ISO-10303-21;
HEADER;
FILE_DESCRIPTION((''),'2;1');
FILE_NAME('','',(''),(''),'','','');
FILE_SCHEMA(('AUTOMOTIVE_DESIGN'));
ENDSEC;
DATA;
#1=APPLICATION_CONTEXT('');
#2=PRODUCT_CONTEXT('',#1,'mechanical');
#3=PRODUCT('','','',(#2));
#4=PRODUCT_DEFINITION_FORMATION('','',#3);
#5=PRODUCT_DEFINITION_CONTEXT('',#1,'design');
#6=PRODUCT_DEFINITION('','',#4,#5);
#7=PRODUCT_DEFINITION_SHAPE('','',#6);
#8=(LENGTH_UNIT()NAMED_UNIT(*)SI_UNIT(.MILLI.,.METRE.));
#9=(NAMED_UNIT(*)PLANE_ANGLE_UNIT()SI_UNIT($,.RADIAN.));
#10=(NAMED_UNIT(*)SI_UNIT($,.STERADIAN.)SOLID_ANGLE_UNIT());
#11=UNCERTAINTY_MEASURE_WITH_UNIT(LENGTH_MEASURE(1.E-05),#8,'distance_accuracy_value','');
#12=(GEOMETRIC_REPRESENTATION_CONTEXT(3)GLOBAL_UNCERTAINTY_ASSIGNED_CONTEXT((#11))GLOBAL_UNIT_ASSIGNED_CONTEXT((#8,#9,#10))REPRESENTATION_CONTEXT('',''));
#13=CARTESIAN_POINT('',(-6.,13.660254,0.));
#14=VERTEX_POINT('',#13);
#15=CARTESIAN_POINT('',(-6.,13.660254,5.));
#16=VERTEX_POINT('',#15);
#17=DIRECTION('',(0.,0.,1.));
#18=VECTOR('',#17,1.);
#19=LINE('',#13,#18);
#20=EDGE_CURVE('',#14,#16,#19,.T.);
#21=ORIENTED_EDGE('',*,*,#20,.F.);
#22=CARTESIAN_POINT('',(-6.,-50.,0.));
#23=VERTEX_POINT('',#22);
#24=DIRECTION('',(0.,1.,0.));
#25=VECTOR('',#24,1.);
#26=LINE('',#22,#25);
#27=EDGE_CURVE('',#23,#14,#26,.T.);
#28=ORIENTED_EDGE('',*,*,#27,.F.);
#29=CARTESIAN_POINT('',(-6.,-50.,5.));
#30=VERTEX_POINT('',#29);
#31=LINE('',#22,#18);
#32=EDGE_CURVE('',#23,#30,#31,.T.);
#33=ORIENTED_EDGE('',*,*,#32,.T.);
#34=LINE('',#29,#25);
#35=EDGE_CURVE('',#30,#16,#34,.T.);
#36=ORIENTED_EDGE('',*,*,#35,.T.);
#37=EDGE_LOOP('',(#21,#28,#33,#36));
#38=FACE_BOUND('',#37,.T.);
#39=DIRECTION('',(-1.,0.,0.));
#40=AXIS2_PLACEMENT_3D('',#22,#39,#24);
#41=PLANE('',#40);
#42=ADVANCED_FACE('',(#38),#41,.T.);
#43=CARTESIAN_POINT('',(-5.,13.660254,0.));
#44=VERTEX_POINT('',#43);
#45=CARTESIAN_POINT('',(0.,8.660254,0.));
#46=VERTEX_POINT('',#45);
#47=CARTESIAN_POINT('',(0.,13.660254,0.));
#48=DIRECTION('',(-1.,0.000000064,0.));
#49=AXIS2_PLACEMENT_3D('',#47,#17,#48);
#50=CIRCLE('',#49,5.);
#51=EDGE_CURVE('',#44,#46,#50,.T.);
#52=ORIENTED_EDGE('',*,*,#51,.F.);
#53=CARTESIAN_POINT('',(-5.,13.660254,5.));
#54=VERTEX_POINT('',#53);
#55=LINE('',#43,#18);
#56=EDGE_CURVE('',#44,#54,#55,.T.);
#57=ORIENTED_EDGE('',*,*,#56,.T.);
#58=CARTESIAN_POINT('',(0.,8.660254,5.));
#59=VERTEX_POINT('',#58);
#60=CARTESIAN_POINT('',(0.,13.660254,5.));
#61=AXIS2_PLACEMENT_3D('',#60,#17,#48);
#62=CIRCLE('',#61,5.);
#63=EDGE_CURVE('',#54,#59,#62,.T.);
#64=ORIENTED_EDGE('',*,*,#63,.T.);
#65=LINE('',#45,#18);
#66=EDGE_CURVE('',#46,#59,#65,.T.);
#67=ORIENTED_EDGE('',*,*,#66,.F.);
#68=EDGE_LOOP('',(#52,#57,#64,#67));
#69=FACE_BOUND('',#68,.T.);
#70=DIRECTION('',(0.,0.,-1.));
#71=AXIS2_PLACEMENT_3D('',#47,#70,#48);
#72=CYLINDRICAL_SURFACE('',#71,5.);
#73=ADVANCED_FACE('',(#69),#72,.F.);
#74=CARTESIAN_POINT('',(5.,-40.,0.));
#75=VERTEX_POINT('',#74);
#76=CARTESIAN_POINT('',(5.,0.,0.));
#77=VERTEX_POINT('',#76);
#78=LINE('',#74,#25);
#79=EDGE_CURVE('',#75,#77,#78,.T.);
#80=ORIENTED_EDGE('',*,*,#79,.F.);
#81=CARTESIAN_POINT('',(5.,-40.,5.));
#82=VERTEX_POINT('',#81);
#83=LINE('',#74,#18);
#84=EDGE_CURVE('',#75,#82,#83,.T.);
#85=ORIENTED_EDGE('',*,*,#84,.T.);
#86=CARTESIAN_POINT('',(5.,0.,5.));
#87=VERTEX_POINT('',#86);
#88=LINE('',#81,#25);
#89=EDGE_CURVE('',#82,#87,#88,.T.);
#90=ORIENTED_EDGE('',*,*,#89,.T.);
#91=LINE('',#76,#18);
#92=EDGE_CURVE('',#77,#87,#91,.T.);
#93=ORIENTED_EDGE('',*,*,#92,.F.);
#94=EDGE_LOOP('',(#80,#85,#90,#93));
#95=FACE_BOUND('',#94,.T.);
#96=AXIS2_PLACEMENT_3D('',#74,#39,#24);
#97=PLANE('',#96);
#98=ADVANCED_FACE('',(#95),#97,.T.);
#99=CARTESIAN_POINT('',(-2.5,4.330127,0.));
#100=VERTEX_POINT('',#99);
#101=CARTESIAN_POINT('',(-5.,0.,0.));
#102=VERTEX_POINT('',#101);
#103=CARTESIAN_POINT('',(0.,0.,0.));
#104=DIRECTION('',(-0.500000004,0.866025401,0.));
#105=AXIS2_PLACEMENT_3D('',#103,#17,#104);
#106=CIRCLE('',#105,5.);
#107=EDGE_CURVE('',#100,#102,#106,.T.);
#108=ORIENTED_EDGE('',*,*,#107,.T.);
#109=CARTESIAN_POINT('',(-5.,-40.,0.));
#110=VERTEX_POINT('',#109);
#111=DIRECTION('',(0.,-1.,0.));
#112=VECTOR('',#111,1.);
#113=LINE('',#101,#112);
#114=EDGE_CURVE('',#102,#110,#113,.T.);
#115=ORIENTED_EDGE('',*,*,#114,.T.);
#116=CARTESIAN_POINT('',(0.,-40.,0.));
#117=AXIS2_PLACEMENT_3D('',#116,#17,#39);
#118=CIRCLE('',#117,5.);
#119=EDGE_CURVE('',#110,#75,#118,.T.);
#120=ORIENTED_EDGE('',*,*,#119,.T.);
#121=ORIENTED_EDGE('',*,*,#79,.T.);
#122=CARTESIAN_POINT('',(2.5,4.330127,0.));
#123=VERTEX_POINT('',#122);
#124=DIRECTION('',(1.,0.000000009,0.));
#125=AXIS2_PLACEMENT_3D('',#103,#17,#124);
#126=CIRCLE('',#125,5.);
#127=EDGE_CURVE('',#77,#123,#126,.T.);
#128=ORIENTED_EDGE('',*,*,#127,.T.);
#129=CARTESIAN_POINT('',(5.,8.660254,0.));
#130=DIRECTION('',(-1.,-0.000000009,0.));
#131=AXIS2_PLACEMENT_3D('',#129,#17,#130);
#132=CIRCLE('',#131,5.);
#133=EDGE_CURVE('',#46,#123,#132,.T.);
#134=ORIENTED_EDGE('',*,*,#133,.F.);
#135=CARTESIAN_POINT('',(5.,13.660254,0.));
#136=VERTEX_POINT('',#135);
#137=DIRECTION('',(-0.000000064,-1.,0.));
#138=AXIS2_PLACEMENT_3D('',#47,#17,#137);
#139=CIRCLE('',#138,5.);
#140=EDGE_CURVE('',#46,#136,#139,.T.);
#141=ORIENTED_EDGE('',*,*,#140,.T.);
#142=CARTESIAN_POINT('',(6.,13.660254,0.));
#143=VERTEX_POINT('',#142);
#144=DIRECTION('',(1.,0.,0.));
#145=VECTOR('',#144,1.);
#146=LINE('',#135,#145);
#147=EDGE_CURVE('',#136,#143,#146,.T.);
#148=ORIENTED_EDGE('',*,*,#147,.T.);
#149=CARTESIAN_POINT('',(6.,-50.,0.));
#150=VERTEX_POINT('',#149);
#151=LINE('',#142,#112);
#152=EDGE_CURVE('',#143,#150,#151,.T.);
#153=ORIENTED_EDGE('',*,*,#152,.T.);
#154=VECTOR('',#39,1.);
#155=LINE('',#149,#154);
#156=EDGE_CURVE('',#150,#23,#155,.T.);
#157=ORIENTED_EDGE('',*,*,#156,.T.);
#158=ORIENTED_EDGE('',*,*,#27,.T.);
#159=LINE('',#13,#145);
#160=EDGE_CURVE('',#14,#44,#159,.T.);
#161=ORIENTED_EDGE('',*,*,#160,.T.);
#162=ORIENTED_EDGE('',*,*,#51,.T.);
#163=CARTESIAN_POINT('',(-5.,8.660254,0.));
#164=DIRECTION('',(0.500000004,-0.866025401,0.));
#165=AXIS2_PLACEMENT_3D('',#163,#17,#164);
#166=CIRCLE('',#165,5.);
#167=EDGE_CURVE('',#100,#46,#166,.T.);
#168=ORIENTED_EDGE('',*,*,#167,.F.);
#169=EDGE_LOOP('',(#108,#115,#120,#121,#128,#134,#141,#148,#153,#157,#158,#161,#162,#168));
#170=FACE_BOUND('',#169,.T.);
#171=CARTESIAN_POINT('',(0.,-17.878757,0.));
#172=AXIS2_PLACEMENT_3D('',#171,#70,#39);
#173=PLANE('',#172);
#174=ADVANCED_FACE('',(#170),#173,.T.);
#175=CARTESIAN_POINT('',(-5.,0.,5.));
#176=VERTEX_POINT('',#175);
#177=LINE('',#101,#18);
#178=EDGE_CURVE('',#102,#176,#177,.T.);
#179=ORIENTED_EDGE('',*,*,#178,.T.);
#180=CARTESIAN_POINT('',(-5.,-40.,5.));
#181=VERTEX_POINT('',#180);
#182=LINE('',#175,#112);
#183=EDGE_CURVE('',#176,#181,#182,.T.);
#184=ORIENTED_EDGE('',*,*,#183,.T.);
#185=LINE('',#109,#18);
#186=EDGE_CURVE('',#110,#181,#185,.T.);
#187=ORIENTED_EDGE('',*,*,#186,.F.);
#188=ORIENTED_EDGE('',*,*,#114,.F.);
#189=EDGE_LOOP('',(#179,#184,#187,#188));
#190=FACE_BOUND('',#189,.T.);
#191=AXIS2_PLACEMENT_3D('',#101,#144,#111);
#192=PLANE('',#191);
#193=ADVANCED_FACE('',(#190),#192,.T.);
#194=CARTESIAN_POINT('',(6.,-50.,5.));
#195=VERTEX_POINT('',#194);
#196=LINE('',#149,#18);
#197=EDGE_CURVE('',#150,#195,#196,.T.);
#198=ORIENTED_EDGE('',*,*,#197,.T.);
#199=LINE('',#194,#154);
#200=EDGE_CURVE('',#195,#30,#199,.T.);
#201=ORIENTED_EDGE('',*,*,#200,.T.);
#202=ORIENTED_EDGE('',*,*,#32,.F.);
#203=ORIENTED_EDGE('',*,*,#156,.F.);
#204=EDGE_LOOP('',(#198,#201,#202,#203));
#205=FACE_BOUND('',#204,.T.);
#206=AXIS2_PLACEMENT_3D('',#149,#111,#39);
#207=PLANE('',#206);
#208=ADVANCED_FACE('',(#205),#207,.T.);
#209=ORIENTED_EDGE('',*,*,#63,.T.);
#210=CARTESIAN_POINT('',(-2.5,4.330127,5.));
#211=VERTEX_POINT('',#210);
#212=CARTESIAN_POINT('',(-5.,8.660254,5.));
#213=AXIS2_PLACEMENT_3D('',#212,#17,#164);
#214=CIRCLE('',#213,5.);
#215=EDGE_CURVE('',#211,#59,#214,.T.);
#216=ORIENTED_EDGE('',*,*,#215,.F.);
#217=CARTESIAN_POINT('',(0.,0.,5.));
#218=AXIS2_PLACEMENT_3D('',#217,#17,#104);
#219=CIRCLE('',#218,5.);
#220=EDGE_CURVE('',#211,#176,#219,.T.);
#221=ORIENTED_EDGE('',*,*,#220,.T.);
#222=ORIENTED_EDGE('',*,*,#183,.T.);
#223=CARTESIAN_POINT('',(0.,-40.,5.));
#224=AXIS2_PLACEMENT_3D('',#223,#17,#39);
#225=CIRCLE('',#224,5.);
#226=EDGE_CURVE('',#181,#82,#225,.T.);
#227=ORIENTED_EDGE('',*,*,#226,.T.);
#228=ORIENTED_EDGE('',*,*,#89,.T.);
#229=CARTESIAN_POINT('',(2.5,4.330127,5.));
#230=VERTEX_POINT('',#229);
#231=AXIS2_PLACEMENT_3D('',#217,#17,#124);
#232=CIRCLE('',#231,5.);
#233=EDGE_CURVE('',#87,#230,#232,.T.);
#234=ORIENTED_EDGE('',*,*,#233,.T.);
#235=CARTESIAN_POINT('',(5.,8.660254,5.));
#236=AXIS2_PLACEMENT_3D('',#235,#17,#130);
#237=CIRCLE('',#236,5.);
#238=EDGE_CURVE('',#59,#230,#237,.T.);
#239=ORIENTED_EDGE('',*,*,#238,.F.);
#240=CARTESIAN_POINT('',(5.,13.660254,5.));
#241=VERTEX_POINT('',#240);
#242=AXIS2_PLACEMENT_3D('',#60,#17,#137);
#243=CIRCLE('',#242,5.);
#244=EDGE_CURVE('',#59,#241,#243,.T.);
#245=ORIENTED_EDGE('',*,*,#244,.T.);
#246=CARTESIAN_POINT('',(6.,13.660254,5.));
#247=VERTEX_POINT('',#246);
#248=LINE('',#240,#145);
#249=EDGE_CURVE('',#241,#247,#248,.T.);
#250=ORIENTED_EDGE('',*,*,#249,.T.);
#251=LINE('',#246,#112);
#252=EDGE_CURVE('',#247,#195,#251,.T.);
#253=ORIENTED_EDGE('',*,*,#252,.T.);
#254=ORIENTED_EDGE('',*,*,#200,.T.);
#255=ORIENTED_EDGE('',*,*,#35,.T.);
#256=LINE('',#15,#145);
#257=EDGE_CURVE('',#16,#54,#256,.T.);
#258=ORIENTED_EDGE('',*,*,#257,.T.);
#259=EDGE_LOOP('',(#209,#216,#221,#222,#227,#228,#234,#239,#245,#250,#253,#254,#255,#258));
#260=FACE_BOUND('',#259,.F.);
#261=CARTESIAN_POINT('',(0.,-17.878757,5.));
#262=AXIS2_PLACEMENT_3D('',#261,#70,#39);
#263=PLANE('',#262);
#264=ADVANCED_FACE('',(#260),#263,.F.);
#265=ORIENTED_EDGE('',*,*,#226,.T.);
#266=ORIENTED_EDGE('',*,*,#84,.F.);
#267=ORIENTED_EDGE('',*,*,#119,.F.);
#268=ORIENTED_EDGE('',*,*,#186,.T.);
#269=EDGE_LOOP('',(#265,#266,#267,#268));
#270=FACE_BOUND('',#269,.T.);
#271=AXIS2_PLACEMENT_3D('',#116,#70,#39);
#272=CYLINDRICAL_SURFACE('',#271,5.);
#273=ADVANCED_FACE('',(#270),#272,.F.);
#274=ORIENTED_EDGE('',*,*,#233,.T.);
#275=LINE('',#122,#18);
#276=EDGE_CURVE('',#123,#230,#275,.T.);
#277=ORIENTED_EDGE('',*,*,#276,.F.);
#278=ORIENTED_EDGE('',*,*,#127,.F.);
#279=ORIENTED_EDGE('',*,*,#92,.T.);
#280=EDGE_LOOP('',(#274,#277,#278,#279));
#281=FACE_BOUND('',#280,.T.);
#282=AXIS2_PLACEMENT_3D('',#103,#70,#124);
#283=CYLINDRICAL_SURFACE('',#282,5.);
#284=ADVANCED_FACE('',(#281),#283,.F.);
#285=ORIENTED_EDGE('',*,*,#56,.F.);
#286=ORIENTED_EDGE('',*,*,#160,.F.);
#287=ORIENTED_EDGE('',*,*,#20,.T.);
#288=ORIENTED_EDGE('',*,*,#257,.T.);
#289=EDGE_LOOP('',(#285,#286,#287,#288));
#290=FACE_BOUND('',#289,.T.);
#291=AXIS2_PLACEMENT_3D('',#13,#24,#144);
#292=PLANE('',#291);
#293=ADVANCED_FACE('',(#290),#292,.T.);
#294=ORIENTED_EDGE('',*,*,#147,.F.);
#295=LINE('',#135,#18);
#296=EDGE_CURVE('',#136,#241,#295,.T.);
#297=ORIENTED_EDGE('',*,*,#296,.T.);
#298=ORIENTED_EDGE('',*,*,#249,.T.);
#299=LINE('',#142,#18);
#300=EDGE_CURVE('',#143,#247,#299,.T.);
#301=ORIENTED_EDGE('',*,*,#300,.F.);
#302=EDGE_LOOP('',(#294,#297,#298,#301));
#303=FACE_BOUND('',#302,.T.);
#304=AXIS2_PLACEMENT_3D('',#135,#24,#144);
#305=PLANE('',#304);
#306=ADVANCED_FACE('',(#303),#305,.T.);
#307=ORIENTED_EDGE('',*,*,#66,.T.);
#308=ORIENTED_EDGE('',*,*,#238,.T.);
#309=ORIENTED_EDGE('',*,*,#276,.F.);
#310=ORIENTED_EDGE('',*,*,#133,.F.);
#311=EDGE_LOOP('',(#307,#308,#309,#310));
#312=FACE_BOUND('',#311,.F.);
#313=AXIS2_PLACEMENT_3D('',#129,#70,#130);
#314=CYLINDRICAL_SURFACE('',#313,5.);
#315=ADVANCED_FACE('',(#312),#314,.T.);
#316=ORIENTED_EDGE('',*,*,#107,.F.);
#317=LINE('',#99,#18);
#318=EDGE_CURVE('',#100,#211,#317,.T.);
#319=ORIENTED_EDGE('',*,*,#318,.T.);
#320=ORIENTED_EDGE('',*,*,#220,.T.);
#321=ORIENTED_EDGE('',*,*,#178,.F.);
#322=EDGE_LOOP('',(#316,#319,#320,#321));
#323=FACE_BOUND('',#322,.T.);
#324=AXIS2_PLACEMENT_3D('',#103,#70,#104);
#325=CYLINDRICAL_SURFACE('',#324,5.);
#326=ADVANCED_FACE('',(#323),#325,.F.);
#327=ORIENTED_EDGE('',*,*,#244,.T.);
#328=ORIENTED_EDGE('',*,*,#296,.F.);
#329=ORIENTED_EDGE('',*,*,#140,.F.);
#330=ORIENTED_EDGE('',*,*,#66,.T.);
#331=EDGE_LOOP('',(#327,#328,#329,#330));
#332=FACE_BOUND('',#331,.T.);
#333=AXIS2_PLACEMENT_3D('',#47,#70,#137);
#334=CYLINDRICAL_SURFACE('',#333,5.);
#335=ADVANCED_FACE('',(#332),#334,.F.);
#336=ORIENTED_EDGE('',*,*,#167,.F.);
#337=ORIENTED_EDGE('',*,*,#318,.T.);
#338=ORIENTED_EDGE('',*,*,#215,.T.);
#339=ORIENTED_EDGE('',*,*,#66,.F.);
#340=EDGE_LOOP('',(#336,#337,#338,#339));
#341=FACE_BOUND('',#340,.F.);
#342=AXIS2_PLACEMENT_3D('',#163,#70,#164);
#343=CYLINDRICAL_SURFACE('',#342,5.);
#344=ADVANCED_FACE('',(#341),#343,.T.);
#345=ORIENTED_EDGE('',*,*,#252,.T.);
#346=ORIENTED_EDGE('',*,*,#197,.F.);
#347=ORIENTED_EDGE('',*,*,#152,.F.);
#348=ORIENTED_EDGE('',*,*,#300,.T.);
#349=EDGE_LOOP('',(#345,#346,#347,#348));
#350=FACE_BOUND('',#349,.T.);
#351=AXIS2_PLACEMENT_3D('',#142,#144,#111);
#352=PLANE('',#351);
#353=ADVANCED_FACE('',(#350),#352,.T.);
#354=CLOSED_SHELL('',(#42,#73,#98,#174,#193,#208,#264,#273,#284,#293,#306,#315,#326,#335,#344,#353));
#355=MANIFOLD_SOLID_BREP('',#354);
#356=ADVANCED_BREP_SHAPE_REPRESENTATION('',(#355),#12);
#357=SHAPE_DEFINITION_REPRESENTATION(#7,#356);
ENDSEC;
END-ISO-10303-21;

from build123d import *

# Parameters (mm, degrees)
PAD_DEPTH = 5


with BuildPart() as part:
    # Sketch → Pad (new body)
    with BuildSketch(Plane.XY):
        with BuildLine():
            ThreePointArc((-5, 13.660254), (-3.535534, 10.12472), (0, 8.660254))
            ThreePointArc((-2.5, 4.330127), (-0.669873, 6.160254), (0, 8.660254))
            ThreePointArc((-2.5, 4.330127), (-4.330127, 2.5), (-5, 0))
            Line((-5, 0), (-5, -40))
            ThreePointArc((-5, -40), (0, -45), (5, -40))
            Line((5, -40), (5, 0))
            ThreePointArc((5, 0), (4.330127, 2.5), (2.5, 4.330127))
            ThreePointArc((0, 8.660254), (0.669873, 6.160254), (2.5, 4.330127))
            ThreePointArc((0, 8.660254), (3.535534, 10.12472), (5, 13.660254))
            Line((5, 13.660254), (6, 13.660254))
            Line((6, 13.660254), (6, -50))
            Line((6, -50), (-6, -50))
            Line((-6, -50), (-6, 13.660254))
            Line((-6, 13.660254), (-5, 13.660254))
        make_face()
    extrude(amount=PAD_DEPTH)


solid = part.part
